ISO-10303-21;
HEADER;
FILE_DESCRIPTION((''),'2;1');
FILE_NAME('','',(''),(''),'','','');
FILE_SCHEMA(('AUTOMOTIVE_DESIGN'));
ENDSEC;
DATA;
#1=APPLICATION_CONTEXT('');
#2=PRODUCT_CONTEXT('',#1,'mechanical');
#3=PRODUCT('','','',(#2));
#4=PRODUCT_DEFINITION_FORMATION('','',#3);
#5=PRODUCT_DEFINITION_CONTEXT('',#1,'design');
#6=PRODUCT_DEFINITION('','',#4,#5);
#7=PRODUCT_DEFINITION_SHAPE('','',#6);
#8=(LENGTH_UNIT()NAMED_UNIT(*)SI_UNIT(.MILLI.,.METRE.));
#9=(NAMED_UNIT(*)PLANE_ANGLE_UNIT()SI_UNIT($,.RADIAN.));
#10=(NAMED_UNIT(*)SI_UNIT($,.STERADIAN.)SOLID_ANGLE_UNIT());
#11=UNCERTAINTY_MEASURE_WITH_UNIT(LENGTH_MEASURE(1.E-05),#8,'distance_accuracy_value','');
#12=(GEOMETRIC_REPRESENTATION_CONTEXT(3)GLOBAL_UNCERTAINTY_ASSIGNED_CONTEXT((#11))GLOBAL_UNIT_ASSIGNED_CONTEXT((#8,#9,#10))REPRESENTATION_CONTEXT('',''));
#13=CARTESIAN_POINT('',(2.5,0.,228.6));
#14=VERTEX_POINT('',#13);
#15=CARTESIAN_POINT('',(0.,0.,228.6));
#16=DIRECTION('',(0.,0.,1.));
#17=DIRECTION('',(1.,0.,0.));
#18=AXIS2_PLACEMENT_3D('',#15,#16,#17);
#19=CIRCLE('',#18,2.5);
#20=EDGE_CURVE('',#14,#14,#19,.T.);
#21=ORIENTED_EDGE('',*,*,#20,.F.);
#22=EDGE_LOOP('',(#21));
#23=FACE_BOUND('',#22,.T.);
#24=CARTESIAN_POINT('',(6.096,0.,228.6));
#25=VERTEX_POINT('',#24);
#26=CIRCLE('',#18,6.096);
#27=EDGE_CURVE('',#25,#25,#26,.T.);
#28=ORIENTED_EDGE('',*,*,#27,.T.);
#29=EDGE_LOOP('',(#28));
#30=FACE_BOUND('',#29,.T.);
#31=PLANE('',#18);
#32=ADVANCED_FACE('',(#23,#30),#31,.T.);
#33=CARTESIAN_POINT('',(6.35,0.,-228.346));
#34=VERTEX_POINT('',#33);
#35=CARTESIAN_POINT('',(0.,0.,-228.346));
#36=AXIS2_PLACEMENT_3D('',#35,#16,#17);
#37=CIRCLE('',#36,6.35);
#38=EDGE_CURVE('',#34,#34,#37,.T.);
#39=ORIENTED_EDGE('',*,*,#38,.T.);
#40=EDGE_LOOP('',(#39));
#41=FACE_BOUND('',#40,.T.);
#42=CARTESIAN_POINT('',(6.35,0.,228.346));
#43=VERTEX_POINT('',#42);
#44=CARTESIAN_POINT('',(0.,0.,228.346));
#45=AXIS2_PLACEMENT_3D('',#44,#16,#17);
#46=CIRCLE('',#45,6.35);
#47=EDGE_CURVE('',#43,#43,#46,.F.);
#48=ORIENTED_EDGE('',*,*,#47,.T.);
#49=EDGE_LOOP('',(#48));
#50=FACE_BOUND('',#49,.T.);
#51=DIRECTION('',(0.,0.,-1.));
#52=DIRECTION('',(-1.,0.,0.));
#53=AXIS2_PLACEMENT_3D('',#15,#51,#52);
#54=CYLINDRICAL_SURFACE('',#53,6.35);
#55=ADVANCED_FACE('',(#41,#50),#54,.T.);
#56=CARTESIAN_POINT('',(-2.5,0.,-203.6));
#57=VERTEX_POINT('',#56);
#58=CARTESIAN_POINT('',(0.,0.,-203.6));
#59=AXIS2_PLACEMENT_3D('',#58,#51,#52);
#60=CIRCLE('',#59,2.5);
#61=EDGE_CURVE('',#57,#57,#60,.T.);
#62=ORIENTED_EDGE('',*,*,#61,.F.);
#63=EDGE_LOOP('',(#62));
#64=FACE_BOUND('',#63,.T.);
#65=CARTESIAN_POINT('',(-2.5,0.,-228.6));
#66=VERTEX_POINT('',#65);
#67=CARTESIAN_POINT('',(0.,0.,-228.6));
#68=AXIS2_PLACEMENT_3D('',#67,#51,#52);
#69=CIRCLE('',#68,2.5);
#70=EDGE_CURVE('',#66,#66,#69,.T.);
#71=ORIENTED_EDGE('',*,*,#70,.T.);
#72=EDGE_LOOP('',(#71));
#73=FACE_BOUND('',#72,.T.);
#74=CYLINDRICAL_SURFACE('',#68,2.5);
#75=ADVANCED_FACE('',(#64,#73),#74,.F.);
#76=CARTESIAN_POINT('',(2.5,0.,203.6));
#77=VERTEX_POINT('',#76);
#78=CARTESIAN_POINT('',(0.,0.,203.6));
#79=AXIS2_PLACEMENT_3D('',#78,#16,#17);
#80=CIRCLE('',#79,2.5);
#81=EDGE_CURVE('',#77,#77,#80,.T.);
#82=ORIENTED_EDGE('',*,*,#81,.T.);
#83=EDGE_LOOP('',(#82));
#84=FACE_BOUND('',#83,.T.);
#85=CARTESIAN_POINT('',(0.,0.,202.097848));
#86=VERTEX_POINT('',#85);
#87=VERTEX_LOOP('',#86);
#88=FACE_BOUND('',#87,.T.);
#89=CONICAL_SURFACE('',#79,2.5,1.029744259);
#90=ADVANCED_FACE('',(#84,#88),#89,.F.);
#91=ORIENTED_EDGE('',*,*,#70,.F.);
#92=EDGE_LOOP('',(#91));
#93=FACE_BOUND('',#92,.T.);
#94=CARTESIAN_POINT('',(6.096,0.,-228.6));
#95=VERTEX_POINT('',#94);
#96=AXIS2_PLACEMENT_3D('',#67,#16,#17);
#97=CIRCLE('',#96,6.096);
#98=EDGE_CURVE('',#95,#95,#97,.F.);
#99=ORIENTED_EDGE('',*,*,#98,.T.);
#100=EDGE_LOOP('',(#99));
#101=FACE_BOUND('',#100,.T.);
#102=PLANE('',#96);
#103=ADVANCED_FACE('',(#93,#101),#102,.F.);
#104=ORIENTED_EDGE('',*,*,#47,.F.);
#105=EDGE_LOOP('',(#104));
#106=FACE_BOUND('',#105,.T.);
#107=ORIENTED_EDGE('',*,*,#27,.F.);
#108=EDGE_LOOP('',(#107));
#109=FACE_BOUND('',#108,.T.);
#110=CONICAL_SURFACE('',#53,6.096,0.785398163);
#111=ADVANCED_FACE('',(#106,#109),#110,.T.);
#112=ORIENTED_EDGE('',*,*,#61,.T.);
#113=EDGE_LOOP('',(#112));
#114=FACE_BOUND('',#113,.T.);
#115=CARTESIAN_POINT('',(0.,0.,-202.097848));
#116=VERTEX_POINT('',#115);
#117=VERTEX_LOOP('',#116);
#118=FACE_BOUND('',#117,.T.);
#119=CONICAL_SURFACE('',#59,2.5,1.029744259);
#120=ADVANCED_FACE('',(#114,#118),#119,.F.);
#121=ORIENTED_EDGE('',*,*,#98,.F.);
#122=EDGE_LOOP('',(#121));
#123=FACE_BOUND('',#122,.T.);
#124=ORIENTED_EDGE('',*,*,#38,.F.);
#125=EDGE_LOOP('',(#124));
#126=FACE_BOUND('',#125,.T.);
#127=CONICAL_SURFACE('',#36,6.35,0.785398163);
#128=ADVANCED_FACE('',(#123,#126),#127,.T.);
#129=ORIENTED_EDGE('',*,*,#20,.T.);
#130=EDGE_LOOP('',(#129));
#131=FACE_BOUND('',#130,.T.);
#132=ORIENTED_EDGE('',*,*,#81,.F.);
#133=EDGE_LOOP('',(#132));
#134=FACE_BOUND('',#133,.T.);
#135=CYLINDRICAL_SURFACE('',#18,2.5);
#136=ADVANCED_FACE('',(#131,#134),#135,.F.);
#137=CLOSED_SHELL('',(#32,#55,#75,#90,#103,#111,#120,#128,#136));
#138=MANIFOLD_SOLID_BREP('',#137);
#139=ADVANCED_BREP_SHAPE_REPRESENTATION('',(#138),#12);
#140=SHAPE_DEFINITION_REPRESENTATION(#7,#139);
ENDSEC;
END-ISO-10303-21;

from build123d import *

# Parameters (mm, degrees)
BOSS_EXTRUDE1_DEPTH                 = 228.6
BOSS_EXTRUDE1_DEPTH_BACK            = 228.6
SKETCH3_R                           = 6.35
CHAMFER1_SIZE                       = 0.254
M6X1_0_TAPPED_HOLE1_D               = 5
M6X1_0_TAPPED_HOLE1_DEPTH           = 25
M6X1_0_TAPPED_HOLE1_TIP             = 1.502151548
M6X1_0_TAPPED_HOLE1_ON_FACE_2_D     = 5
M6X1_0_TAPPED_HOLE1_ON_FACE_2_DEPTH = 25
M6X1_0_TAPPED_HOLE1_ON_FACE_2_TIP   = 1.502151548


with BuildPart() as part:
    # Sketch3 → Boss-Extrude1 (new, two sides: drawn at the far end of the back side and taken through both)
    with BuildSketch(Plane.XY.offset(-BOSS_EXTRUDE1_DEPTH_BACK)):
        Circle(SKETCH3_R)
    extrude(amount=BOSS_EXTRUDE1_DEPTH + BOSS_EXTRUDE1_DEPTH_BACK)

    # Chamfer1
    chamfer1_edges = [part.edges().sort_by_distance(p)[0] for p in [
        (-6.35, 0, -228.6),
        (-6.35, 0, 228.6),
    ]]
    chamfer(chamfer1_edges, length=CHAMFER1_SIZE)

    # M6x1.0 Tapped Hole1
    with Locations(Plane(origin=(0, 0, -228.6), x_dir=(-1, 0, 0), z_dir=(0, 0, -1))):
        with Locations((0, 0)):
            Hole(M6X1_0_TAPPED_HOLE1_D / 2, depth=M6X1_0_TAPPED_HOLE1_DEPTH)
            with Locations((0, 0, -(M6X1_0_TAPPED_HOLE1_DEPTH + M6X1_0_TAPPED_HOLE1_TIP / 2))):  # 118° drill point
                Cone(0, M6X1_0_TAPPED_HOLE1_D / 2, M6X1_0_TAPPED_HOLE1_TIP, mode=Mode.SUBTRACT)

    # M6x1.0 Tapped Hole1 on face 2
    with Locations(Plane.XY.offset(228.6)):
        with Locations((0, 0)):
            Hole(M6X1_0_TAPPED_HOLE1_ON_FACE_2_D / 2, depth=M6X1_0_TAPPED_HOLE1_ON_FACE_2_DEPTH)
            with Locations((0, 0, -(M6X1_0_TAPPED_HOLE1_ON_FACE_2_DEPTH + M6X1_0_TAPPED_HOLE1_ON_FACE_2_TIP / 2))):  # 118° drill point
                Cone(0, M6X1_0_TAPPED_HOLE1_ON_FACE_2_D / 2, M6X1_0_TAPPED_HOLE1_ON_FACE_2_TIP, mode=Mode.SUBTRACT)


solid = part.part
